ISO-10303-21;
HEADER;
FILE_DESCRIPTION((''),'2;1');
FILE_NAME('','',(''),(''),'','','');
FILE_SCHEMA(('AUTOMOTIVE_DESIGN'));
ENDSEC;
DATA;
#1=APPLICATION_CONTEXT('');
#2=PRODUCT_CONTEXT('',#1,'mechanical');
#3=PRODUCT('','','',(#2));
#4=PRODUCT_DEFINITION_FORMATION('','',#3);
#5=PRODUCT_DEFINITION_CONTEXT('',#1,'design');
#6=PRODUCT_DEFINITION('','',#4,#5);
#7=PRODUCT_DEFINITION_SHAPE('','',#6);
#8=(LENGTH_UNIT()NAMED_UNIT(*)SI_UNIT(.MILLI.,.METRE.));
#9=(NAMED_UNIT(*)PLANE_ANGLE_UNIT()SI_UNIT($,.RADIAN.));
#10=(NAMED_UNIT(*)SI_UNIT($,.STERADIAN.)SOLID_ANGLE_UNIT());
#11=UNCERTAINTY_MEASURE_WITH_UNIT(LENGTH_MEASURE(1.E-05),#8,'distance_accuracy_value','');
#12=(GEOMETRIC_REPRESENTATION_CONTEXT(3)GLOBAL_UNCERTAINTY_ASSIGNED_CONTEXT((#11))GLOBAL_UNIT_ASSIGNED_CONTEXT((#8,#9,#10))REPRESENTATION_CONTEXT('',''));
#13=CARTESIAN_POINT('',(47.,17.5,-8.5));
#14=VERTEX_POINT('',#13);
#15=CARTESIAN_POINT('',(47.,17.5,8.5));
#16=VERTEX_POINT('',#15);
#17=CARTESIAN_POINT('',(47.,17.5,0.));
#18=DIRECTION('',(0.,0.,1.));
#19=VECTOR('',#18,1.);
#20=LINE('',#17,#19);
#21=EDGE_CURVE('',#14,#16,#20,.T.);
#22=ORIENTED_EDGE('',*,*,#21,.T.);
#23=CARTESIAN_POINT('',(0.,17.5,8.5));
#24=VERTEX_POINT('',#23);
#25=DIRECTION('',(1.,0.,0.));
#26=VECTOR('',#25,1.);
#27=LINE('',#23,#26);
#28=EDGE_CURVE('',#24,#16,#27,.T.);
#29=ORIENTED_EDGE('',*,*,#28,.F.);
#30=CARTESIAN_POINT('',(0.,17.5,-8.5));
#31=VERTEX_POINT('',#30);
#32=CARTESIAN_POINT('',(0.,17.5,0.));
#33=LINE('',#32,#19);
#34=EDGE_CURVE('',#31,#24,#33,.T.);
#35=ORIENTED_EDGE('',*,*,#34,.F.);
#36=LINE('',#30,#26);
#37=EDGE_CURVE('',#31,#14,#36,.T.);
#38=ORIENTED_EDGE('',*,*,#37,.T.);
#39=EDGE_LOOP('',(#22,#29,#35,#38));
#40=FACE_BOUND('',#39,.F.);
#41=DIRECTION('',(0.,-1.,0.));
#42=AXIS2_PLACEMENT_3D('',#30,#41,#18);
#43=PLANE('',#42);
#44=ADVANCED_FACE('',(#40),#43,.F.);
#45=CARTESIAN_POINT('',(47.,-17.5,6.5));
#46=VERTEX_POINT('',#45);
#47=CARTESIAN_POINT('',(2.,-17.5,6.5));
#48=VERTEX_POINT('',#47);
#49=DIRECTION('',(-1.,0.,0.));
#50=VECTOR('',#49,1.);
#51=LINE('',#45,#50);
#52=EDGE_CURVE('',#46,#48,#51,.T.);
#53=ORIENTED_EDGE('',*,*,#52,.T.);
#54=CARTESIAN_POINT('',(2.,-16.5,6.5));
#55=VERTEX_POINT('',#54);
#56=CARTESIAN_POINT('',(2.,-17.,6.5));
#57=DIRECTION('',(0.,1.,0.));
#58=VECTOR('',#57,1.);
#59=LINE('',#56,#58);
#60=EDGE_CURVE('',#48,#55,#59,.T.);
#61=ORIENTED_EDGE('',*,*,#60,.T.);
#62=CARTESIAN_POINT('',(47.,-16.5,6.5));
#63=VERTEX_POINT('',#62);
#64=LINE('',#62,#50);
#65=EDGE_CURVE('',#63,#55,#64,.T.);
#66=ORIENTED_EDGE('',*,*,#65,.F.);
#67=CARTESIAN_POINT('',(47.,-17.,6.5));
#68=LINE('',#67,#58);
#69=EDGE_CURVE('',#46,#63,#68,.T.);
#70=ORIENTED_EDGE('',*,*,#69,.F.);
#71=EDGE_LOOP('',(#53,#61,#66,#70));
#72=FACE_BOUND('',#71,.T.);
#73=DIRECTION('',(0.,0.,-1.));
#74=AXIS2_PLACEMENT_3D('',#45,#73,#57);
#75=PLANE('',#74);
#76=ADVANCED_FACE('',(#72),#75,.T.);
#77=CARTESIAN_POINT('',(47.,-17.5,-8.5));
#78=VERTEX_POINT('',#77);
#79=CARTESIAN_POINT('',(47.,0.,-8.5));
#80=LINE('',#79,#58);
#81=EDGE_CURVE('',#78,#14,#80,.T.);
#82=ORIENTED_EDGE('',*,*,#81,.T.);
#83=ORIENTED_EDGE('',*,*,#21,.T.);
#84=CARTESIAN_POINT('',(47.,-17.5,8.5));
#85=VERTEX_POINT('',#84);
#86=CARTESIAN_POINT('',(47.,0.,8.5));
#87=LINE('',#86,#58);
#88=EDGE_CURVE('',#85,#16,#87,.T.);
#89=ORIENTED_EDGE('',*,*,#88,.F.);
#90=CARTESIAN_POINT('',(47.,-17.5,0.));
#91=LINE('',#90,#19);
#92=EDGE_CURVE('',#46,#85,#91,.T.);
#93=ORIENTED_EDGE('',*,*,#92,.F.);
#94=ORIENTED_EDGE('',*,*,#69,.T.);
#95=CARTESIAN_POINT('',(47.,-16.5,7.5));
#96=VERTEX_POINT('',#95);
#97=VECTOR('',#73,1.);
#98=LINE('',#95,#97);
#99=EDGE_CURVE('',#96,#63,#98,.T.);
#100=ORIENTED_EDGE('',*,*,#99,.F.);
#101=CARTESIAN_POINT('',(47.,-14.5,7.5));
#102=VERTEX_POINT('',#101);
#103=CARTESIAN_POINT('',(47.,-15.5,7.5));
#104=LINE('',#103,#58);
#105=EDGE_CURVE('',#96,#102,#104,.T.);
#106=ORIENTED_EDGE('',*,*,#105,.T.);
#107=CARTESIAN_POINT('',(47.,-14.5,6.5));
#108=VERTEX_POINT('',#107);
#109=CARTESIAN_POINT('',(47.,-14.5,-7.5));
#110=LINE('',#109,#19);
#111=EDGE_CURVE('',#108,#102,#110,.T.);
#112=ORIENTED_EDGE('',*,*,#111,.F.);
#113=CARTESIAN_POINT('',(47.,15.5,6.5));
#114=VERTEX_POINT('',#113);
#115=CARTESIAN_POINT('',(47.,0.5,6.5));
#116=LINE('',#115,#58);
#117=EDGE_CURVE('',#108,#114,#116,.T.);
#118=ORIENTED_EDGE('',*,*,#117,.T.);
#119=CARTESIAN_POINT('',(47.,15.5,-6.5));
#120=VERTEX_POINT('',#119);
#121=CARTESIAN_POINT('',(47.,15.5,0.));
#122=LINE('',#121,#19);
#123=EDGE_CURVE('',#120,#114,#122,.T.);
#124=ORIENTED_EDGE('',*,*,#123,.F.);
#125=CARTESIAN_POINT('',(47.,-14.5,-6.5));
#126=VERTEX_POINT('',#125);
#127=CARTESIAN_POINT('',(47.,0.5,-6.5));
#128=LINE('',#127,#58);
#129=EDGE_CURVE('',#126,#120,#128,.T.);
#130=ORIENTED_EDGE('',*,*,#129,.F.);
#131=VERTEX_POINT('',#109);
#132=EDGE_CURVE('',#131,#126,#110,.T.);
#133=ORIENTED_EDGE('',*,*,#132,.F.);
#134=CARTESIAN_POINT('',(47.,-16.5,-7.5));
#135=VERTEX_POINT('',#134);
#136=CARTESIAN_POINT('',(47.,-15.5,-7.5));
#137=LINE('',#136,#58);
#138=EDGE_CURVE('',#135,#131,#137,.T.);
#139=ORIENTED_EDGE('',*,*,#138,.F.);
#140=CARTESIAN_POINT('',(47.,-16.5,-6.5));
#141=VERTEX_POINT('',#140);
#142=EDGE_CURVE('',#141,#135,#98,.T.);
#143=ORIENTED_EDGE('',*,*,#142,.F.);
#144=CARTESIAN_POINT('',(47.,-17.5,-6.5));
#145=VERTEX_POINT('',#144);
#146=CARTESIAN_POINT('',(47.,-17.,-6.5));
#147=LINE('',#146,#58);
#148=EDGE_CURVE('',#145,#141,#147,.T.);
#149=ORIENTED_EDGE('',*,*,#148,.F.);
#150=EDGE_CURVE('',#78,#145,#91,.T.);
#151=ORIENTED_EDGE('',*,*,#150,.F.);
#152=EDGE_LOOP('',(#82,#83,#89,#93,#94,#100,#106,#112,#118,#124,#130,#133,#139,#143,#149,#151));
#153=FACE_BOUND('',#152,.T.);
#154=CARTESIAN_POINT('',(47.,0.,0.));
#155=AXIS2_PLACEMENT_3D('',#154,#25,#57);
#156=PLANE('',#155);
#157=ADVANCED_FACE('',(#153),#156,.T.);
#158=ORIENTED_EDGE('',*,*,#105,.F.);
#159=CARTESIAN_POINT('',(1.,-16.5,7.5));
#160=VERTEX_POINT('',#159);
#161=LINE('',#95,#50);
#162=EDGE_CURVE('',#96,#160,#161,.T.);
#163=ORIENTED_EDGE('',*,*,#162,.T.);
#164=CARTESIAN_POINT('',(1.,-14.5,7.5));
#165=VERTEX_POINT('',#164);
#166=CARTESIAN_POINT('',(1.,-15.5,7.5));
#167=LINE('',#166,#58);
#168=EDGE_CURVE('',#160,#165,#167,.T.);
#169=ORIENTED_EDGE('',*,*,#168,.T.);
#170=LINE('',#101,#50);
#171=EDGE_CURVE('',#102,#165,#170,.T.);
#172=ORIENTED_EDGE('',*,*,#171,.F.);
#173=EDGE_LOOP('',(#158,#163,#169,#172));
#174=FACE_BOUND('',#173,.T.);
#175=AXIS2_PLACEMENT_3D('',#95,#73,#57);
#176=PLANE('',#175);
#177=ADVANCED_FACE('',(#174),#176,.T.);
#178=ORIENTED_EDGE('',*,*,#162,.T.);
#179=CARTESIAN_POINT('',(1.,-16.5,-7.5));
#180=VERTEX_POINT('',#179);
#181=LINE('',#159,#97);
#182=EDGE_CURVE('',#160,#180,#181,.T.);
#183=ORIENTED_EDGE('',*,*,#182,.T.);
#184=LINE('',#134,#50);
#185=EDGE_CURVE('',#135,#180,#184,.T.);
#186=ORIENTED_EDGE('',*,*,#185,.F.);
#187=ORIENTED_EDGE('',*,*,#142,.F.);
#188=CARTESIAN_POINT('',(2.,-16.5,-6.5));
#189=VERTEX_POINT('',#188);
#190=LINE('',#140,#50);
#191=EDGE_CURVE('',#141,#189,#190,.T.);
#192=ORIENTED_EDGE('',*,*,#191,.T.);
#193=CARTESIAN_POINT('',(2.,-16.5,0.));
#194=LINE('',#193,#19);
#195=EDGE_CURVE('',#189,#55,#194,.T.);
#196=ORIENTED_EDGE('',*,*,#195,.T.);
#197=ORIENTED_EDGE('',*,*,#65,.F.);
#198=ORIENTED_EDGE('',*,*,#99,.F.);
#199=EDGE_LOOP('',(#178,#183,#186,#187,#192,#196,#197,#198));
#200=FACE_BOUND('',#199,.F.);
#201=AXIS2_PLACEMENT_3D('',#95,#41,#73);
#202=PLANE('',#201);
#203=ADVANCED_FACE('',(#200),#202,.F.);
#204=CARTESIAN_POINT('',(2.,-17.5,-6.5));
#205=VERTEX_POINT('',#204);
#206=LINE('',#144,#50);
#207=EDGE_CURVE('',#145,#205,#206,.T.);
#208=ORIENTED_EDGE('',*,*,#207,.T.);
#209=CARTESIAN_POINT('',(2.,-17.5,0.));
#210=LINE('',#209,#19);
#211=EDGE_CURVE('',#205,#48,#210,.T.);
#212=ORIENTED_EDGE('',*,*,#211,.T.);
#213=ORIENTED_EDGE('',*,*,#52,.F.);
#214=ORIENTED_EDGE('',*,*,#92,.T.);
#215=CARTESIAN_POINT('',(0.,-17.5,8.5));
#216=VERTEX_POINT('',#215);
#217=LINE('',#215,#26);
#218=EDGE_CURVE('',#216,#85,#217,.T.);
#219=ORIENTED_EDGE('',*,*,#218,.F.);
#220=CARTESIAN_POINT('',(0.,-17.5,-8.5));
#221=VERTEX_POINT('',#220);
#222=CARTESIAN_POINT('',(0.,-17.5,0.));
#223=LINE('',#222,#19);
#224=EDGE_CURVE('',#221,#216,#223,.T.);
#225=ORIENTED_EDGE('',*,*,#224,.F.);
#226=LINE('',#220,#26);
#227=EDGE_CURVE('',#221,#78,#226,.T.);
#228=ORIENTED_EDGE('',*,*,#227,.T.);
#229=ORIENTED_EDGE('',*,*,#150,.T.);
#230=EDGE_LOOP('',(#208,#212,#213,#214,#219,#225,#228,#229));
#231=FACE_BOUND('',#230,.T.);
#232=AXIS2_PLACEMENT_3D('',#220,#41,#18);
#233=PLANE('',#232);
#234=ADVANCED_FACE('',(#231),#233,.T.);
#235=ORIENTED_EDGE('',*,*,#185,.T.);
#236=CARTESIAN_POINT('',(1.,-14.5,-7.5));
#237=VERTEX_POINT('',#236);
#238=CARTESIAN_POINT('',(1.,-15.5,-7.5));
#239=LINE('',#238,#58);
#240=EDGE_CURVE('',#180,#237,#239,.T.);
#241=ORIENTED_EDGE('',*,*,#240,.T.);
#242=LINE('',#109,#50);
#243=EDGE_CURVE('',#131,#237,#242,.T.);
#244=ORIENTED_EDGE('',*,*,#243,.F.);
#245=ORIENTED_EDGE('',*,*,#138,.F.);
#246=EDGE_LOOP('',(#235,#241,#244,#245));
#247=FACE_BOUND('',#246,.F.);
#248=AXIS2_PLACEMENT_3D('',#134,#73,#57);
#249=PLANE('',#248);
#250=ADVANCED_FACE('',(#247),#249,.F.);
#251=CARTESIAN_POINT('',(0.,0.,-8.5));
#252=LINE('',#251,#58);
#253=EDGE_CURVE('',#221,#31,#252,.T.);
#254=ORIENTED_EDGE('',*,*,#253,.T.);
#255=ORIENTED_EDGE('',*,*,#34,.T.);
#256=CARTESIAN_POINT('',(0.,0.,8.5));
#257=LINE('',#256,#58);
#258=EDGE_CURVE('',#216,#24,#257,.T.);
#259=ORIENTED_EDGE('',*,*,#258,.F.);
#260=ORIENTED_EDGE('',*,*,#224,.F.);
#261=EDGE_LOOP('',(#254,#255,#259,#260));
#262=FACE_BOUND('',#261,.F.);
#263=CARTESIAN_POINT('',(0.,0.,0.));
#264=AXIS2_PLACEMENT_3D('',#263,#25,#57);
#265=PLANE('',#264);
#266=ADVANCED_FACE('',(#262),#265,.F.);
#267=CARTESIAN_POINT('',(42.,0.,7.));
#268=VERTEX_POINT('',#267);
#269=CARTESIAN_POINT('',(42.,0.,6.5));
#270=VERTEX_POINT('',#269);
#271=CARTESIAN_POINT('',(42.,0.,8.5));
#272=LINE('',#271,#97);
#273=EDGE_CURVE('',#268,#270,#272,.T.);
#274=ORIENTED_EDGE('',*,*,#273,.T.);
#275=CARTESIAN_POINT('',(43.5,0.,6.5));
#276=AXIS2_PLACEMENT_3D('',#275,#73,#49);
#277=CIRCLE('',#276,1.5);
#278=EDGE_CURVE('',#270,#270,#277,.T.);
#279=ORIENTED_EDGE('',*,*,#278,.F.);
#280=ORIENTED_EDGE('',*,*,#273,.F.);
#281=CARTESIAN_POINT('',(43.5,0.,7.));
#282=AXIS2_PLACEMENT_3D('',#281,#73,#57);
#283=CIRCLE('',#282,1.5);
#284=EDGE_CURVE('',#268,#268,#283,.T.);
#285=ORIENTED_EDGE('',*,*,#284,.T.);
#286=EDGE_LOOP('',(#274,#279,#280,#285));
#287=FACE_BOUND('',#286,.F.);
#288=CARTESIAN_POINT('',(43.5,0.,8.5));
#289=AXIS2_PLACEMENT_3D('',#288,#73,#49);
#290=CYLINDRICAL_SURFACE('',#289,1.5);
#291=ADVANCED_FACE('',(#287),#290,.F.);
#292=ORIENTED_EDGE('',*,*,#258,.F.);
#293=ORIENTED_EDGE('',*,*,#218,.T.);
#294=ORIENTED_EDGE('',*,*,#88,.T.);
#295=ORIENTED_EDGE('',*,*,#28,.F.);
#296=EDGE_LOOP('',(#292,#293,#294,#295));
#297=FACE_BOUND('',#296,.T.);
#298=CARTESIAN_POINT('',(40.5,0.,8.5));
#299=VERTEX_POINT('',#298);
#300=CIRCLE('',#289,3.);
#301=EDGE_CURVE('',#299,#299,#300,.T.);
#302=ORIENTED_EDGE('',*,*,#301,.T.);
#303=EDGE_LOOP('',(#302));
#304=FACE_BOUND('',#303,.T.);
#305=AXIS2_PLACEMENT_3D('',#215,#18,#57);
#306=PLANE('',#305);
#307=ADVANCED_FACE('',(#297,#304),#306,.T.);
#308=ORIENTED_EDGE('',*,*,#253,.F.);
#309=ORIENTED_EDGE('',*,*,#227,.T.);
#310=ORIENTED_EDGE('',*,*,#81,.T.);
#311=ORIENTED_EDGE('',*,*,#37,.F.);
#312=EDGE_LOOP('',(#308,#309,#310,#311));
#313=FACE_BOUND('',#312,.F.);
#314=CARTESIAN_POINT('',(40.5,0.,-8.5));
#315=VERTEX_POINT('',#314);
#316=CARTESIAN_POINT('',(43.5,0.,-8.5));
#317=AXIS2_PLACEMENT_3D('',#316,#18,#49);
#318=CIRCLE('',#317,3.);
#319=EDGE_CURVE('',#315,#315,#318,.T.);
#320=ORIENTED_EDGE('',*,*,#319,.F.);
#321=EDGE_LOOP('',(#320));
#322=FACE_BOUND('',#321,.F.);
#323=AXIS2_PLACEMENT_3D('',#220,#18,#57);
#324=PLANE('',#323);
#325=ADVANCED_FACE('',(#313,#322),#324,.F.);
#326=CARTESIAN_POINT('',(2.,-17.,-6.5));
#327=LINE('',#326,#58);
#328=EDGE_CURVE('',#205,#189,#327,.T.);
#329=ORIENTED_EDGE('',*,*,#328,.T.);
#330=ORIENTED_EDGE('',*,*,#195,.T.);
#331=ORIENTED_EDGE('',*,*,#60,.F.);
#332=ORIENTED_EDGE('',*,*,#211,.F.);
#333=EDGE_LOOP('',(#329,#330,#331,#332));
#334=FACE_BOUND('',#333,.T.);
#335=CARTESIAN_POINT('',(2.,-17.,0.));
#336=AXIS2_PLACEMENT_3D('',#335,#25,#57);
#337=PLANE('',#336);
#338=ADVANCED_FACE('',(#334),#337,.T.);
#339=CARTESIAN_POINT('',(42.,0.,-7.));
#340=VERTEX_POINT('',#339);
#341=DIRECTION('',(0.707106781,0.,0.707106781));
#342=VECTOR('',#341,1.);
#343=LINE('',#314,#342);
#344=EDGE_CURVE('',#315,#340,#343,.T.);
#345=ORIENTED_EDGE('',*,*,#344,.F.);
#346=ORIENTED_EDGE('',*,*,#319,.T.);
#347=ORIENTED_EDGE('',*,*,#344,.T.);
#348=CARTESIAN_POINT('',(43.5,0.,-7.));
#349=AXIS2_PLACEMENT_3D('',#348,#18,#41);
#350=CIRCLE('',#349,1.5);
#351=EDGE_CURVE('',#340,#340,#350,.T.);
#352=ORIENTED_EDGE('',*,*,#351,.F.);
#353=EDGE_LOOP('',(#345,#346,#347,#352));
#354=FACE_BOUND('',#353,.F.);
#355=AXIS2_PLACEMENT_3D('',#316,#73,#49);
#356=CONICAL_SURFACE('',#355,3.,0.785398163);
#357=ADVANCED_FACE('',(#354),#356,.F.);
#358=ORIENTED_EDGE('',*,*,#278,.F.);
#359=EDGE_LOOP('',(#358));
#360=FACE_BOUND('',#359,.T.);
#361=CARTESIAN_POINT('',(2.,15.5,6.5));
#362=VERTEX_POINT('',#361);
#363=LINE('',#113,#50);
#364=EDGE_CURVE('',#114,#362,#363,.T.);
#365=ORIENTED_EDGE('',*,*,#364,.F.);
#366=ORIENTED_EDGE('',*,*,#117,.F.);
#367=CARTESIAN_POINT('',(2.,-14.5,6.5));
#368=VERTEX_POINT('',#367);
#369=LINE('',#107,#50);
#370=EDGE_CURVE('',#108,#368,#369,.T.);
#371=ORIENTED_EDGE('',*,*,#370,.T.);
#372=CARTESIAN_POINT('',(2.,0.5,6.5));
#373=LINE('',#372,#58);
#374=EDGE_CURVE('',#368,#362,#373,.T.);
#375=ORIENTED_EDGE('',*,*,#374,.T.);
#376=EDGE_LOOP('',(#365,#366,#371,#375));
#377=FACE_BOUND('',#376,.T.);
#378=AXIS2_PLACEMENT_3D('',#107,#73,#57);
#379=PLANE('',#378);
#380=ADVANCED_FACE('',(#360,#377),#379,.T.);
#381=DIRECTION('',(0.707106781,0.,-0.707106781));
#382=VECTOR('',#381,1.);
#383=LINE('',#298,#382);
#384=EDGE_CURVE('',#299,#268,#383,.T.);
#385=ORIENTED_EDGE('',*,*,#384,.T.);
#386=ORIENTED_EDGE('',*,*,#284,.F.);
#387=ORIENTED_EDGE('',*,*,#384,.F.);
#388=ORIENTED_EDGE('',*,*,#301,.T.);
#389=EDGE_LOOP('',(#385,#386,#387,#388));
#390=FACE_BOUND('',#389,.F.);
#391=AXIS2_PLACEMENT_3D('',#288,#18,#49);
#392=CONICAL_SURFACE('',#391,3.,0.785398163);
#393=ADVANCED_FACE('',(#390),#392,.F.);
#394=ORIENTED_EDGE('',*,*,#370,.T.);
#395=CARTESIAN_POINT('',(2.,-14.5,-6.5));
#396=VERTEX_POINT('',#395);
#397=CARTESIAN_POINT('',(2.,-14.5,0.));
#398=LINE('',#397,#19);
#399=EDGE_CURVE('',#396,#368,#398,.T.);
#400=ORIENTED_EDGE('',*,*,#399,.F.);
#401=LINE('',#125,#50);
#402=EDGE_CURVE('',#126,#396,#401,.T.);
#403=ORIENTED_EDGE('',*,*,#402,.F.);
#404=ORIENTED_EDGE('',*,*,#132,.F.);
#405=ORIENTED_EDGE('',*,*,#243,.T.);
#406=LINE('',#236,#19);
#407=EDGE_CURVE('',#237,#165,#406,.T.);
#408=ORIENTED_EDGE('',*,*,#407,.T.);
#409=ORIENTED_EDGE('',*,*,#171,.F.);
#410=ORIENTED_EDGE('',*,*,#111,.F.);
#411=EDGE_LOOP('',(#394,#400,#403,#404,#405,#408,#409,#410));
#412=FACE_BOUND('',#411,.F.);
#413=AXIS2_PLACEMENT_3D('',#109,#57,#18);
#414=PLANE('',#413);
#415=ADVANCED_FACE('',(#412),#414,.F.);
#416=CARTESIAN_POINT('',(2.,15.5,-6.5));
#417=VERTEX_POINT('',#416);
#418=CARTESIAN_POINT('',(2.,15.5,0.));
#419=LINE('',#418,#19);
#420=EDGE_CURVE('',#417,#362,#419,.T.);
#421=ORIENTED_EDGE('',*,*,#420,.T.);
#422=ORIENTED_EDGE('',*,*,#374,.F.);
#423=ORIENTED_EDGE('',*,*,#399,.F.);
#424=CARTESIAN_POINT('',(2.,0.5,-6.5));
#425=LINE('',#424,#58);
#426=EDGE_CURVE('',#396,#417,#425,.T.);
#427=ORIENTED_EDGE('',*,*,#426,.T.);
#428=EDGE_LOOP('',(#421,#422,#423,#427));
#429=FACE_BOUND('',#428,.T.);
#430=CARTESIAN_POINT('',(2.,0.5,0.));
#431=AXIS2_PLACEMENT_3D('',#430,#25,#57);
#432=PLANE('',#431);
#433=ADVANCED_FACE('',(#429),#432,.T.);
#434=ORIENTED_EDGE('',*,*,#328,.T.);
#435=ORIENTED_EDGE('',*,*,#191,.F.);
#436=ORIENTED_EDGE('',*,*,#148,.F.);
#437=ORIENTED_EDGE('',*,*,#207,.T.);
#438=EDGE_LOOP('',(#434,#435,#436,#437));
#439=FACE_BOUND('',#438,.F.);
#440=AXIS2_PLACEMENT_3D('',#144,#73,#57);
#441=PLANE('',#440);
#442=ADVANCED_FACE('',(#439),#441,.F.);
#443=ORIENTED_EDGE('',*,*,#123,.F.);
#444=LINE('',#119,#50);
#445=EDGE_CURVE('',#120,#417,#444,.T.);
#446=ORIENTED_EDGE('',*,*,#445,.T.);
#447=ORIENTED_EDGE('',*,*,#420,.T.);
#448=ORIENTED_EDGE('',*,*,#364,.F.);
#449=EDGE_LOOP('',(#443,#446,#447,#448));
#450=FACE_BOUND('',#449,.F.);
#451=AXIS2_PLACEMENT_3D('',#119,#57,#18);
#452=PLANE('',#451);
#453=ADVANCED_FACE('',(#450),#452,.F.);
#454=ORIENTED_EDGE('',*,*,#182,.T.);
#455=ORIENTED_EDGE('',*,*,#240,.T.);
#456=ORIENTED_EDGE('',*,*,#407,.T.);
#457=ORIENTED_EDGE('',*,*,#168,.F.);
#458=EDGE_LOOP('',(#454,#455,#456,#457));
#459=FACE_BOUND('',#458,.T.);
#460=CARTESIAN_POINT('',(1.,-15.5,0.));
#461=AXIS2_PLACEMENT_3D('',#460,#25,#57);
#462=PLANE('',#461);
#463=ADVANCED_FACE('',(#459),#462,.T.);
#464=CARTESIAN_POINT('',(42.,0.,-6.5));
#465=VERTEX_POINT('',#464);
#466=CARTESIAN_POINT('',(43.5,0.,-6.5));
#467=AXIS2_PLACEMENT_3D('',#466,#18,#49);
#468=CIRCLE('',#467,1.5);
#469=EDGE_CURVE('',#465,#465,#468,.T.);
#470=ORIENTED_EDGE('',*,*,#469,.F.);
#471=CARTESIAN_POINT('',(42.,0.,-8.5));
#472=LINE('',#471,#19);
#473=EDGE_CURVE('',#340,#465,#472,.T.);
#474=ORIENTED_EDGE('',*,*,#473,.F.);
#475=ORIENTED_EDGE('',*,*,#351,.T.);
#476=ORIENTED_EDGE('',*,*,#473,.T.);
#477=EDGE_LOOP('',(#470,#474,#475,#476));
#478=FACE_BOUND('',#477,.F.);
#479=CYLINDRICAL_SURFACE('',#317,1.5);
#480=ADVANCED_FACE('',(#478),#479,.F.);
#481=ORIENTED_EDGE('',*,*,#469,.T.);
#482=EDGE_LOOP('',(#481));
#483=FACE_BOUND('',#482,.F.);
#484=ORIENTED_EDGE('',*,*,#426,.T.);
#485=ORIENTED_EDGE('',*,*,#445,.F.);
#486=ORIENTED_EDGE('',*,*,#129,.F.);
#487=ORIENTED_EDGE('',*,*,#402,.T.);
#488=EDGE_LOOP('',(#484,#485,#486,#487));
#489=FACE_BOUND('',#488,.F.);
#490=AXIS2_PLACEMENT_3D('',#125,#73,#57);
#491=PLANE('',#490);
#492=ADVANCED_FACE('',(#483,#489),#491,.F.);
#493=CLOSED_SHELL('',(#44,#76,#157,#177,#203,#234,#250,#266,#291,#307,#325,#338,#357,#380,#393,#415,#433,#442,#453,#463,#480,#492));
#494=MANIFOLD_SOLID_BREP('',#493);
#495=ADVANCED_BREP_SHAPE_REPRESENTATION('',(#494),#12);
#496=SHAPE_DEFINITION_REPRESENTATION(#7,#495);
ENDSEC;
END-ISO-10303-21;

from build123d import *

# Parameters (mm, degrees)
F0_W           = 35
F0_H           = 17
F1_DEPTH       = 47
F2_W           = 30
F2_H           = 13
F2_W_2         = 1
F3_DEPTH       = 45
F2_W_3         = 2
F2_H_2         = 1
F4_DEPTH       = 46
F6_D           = 3
F6_DEPTH       = 3
F6_CSINK_D     = 6
F6_CSINK_ANGLE = 90
F6_TIP         = 0.9012909285
F8_D           = 3
F8_DEPTH       = 3
F8_CSINK_D     = 6
F8_CSINK_ANGLE = 90
F8_TIP         = 0.9012909285


with BuildPart() as f1:
    # F0 (on Right) → F1 (new body)
    with BuildSketch(Plane.YZ):
        Rectangle(F0_W, F0_H)
    extrude(amount=F1_DEPTH)

    # F2 (on face) → F3 (cut)
    with BuildSketch(Plane.YZ.offset(47)):
        with Locations((0.5, 0)):
            Rectangle(F2_W, F2_H)
        with Locations((-17, 0)):
            Rectangle(F2_W_2, F2_H)
    extrude(amount=-F3_DEPTH, mode=Mode.SUBTRACT)

    # F2 (on face) → F4 (cut)
    with BuildSketch(Plane.YZ.offset(47)):
        with Locations((-15.5, 0)):
            Rectangle(F2_W_3, F2_H)
        with Locations((-15.5, 7)):
            Rectangle(F2_W_3, F2_H_2)
        with Locations((-15.5, -7)):
            Rectangle(F2_W_3, F2_H_2)
    extrude(amount=-F4_DEPTH, mode=Mode.SUBTRACT)

    # F6
    with Locations(Plane.XY.offset(8.5)):
        with Locations((43.5, 0)):
            CounterSinkHole(F6_D / 2, F6_CSINK_D / 2, depth=F6_DEPTH, counter_sink_angle=F6_CSINK_ANGLE)
            with Locations((0, 0, -(F6_DEPTH + F6_TIP / 2))):  # 118° drill point
                Cone(0, F6_D / 2, F6_TIP, mode=Mode.SUBTRACT)

    # F8
    with Locations(Plane(origin=(0, 0, -8.5), x_dir=(1, 0, 0), z_dir=(0, 0, -1))):
        with Locations((43.5, 0)):
            CounterSinkHole(F8_D / 2, F8_CSINK_D / 2, depth=F8_DEPTH, counter_sink_angle=F8_CSINK_ANGLE)
            with Locations((0, 0, -(F8_DEPTH + F8_TIP / 2))):  # 118° drill point
                Cone(0, F8_D / 2, F8_TIP, mode=Mode.SUBTRACT)


solid = f1.part
